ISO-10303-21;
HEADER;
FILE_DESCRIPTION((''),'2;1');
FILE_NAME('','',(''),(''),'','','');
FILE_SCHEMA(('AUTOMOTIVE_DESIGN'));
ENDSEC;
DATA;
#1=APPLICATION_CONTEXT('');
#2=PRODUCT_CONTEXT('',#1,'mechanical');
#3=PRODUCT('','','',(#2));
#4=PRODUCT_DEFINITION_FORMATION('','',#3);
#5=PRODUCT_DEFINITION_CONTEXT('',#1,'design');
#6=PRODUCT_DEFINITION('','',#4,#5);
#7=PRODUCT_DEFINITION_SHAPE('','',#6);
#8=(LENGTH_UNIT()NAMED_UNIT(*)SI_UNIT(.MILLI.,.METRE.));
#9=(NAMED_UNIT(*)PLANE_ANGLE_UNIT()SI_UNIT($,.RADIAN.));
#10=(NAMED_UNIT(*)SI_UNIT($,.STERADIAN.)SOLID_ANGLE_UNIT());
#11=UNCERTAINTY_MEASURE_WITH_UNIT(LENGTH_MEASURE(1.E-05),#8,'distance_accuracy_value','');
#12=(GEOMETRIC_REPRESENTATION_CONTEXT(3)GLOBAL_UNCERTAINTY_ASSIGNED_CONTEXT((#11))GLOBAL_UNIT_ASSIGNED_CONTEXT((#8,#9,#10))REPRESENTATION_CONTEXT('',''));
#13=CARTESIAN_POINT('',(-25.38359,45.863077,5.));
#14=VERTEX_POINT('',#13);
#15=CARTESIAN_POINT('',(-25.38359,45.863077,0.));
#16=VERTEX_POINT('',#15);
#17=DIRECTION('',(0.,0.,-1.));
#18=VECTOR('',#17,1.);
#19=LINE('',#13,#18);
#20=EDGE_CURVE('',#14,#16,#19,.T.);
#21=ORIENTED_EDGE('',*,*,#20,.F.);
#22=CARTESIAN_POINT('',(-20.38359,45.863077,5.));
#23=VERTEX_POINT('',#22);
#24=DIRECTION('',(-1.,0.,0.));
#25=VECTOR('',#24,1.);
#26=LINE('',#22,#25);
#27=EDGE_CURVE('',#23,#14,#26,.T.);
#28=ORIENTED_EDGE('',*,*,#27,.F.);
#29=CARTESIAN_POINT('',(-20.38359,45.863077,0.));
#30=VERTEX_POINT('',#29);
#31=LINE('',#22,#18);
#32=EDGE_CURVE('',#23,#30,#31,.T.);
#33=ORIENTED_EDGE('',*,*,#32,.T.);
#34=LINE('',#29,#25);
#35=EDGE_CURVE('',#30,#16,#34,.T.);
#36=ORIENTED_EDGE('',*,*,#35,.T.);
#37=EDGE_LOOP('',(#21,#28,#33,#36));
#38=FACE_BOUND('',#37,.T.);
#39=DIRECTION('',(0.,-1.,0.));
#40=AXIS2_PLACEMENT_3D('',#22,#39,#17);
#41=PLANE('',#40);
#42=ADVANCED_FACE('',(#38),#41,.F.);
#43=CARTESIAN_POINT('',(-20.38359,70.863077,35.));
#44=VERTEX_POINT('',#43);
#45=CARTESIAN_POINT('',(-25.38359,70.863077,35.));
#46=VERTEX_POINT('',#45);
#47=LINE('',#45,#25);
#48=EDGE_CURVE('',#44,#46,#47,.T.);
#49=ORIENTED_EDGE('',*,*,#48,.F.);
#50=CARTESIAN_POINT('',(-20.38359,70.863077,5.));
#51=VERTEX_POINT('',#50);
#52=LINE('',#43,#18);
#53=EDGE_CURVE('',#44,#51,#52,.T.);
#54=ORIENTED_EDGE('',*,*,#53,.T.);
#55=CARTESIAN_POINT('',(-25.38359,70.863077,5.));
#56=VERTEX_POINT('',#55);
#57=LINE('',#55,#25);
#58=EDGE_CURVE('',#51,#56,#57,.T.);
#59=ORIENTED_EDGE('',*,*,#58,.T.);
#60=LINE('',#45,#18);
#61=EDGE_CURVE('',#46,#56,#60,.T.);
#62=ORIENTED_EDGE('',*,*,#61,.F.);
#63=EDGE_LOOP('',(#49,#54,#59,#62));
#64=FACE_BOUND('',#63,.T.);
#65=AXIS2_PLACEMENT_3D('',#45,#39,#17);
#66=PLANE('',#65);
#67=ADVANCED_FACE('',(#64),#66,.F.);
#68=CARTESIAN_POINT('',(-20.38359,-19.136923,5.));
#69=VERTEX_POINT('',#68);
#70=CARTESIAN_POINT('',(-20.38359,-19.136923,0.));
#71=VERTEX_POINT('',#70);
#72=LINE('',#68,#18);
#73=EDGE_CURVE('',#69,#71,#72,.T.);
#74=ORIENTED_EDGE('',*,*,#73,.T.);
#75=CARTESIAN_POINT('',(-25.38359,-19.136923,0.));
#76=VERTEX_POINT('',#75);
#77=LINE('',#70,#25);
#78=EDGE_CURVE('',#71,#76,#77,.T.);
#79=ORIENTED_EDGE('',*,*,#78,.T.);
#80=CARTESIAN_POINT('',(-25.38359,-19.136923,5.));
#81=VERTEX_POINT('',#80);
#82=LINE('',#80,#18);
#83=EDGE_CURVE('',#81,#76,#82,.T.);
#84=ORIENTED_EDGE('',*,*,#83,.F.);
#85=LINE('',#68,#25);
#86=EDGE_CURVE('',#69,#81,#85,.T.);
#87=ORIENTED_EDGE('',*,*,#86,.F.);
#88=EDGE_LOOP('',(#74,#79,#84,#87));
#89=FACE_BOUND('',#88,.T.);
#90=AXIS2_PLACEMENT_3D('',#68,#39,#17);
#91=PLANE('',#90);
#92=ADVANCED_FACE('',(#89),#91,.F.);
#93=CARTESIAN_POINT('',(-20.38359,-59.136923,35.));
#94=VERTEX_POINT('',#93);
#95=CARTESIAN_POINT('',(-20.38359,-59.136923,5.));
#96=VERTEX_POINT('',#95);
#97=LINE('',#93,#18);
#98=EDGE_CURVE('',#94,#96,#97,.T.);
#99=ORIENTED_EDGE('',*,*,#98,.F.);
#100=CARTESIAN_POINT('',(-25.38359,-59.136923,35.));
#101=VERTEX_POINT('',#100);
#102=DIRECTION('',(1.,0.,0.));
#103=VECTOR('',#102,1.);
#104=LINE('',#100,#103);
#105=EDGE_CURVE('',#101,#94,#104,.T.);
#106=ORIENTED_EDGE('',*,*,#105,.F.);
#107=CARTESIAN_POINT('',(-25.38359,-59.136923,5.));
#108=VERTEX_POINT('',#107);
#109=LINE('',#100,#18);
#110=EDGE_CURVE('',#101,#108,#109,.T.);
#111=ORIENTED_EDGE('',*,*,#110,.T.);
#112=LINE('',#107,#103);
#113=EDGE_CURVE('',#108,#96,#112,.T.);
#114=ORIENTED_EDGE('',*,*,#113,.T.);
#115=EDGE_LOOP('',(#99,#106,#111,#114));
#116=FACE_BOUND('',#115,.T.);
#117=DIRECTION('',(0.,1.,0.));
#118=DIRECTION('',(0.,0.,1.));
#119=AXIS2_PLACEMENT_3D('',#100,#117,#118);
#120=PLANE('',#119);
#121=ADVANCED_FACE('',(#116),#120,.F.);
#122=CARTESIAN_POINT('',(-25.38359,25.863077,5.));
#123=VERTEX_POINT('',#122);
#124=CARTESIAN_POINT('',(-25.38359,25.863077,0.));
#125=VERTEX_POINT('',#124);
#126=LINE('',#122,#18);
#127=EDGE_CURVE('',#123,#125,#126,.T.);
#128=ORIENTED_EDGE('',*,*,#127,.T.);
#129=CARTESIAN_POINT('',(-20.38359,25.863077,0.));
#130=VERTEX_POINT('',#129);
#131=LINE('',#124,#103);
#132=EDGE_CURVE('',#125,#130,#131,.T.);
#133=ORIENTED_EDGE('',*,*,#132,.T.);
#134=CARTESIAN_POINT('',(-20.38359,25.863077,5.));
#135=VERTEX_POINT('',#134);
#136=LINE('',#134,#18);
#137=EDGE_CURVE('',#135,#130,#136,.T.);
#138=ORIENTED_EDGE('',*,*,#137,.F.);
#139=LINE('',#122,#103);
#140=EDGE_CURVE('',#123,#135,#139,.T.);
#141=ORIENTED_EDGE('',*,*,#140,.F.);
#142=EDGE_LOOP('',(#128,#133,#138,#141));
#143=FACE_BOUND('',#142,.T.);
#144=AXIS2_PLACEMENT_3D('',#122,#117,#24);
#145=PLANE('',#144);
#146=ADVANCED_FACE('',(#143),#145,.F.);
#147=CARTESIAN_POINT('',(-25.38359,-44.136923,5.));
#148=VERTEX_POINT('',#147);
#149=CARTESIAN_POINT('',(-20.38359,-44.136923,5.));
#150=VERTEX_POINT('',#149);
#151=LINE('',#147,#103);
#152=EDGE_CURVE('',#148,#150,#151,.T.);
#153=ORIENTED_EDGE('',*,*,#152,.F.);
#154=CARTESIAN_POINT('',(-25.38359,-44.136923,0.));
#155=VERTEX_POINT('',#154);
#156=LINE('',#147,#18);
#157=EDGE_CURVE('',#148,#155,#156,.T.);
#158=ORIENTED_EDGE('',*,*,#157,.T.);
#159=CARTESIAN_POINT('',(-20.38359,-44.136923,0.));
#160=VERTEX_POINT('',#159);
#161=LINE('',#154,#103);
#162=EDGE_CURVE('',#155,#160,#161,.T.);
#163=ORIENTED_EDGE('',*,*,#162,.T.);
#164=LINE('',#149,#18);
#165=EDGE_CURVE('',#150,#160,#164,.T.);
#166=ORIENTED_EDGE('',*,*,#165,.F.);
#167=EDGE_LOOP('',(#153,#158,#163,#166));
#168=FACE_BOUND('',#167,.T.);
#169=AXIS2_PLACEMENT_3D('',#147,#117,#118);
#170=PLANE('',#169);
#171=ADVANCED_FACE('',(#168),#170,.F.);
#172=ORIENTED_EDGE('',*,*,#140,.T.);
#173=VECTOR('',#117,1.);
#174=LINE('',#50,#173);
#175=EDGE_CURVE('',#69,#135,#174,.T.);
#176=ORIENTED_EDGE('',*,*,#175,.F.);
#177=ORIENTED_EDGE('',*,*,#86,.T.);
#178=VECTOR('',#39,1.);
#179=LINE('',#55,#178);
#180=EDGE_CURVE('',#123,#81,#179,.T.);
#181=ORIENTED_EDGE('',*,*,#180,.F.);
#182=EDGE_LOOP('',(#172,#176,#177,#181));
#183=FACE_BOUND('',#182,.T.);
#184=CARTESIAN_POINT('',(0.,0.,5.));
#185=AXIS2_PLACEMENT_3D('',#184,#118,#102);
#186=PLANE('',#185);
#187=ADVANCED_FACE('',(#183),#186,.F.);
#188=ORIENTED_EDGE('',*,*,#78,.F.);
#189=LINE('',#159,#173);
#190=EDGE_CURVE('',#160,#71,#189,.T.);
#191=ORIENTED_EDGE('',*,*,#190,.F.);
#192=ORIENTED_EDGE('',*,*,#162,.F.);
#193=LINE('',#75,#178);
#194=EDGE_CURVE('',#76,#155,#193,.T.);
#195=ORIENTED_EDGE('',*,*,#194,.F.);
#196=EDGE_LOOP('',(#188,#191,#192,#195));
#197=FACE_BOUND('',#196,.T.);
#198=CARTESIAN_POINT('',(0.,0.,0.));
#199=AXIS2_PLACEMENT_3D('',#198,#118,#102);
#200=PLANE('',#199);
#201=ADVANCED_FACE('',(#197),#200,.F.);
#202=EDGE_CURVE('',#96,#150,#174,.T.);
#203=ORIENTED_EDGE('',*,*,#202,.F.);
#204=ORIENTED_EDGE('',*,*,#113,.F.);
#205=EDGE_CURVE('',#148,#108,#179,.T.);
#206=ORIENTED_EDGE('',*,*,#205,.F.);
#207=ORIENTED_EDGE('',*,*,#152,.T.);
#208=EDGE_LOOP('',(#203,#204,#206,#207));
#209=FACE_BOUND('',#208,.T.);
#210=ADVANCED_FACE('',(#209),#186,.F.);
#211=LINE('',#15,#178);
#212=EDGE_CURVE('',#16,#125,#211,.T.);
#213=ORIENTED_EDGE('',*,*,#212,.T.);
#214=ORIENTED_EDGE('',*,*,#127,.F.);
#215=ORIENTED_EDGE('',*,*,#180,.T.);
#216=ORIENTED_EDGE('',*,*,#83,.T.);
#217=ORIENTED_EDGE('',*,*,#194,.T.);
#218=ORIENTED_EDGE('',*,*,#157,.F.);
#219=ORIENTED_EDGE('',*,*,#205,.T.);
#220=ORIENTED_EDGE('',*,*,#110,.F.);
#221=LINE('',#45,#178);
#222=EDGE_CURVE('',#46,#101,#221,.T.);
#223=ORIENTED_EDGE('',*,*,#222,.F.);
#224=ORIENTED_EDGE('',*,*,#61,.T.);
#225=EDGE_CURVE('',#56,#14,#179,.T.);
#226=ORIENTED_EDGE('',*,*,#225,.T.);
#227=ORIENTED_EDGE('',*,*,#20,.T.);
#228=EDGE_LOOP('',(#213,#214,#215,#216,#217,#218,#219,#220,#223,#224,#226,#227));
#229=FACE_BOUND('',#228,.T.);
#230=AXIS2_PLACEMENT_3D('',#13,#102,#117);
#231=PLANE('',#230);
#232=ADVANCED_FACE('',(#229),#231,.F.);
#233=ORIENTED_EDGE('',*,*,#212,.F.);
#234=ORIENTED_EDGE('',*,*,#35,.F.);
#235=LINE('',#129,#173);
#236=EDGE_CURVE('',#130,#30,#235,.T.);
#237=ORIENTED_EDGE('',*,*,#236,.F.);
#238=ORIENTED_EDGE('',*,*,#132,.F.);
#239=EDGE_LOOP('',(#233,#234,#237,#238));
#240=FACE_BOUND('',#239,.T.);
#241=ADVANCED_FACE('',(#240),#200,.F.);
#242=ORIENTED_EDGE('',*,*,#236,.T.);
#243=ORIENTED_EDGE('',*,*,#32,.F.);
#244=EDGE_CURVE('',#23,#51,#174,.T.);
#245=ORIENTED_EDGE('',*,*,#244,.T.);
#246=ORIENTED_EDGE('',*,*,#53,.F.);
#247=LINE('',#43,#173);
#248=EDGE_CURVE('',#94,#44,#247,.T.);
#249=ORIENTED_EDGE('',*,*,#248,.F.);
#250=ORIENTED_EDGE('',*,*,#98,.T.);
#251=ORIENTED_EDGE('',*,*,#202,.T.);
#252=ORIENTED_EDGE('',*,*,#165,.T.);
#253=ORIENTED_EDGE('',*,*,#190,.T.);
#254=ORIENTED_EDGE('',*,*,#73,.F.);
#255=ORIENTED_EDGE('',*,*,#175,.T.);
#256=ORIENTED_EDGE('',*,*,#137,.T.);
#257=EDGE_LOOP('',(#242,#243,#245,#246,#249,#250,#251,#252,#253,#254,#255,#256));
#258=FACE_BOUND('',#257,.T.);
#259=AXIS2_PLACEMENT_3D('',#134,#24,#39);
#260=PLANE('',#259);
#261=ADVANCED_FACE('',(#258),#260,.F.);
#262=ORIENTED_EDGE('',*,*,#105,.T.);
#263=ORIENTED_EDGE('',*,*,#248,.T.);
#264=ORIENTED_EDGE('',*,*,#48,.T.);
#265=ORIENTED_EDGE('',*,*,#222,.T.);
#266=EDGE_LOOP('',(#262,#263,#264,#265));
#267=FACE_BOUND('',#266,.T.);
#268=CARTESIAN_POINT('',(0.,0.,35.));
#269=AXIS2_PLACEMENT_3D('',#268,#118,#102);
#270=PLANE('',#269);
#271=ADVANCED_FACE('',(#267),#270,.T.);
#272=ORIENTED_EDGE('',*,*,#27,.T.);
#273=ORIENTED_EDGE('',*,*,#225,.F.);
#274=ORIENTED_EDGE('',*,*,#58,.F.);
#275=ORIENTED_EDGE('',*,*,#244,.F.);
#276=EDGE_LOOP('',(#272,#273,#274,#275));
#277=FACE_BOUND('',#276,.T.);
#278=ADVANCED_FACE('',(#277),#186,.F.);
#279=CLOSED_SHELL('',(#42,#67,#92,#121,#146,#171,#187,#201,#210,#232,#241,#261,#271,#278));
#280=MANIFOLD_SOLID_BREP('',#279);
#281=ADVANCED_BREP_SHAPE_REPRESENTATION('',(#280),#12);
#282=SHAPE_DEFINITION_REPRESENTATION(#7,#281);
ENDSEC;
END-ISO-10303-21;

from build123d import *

# Parameters (mm, degrees)
SKETCH1_W             = 5
SKETCH1_H             = 20
BOSS_EXTRUDE1_DEPTH   = 5
SKETCH1_H_2           = 25
BOSS_EXTRUDE1_2_DEPTH = 5
SKETCH2_W             = 5
SKETCH2_H             = 130
BOSS_EXTRUDE2_DEPTH   = 30


with BuildPart() as part:
    # Sketch1 → Boss-Extrude1 (new body)
    with BuildSketch(Plane.XY):
        with Locations((-22.883589858, 35.86307718)):
            Rectangle(SKETCH1_W, SKETCH1_H)
    extrude(amount=BOSS_EXTRUDE1_DEPTH)



with BuildPart() as body_2:
    # Sketch1 → Boss-Extrude1 2 (new body)
    with BuildSketch(Plane.XY):
        with Locations((-22.883589858, -31.63692282)):
            Rectangle(SKETCH1_W, SKETCH1_H_2)
    extrude(amount=BOSS_EXTRUDE1_2_DEPTH)


with BuildPart() as part_1:
    add(part.part)

    add(body_2.part)  # Boss-Extrude2 merges body 2
    # Sketch2 → Boss-Extrude2 (add)
    with BuildSketch(Plane.XY.offset(5)):
        with Locations((-22.883589858, 5.86307718)):
            Rectangle(SKETCH2_W, SKETCH2_H)
    extrude(amount=BOSS_EXTRUDE2_DEPTH)


solid = part_1.part
